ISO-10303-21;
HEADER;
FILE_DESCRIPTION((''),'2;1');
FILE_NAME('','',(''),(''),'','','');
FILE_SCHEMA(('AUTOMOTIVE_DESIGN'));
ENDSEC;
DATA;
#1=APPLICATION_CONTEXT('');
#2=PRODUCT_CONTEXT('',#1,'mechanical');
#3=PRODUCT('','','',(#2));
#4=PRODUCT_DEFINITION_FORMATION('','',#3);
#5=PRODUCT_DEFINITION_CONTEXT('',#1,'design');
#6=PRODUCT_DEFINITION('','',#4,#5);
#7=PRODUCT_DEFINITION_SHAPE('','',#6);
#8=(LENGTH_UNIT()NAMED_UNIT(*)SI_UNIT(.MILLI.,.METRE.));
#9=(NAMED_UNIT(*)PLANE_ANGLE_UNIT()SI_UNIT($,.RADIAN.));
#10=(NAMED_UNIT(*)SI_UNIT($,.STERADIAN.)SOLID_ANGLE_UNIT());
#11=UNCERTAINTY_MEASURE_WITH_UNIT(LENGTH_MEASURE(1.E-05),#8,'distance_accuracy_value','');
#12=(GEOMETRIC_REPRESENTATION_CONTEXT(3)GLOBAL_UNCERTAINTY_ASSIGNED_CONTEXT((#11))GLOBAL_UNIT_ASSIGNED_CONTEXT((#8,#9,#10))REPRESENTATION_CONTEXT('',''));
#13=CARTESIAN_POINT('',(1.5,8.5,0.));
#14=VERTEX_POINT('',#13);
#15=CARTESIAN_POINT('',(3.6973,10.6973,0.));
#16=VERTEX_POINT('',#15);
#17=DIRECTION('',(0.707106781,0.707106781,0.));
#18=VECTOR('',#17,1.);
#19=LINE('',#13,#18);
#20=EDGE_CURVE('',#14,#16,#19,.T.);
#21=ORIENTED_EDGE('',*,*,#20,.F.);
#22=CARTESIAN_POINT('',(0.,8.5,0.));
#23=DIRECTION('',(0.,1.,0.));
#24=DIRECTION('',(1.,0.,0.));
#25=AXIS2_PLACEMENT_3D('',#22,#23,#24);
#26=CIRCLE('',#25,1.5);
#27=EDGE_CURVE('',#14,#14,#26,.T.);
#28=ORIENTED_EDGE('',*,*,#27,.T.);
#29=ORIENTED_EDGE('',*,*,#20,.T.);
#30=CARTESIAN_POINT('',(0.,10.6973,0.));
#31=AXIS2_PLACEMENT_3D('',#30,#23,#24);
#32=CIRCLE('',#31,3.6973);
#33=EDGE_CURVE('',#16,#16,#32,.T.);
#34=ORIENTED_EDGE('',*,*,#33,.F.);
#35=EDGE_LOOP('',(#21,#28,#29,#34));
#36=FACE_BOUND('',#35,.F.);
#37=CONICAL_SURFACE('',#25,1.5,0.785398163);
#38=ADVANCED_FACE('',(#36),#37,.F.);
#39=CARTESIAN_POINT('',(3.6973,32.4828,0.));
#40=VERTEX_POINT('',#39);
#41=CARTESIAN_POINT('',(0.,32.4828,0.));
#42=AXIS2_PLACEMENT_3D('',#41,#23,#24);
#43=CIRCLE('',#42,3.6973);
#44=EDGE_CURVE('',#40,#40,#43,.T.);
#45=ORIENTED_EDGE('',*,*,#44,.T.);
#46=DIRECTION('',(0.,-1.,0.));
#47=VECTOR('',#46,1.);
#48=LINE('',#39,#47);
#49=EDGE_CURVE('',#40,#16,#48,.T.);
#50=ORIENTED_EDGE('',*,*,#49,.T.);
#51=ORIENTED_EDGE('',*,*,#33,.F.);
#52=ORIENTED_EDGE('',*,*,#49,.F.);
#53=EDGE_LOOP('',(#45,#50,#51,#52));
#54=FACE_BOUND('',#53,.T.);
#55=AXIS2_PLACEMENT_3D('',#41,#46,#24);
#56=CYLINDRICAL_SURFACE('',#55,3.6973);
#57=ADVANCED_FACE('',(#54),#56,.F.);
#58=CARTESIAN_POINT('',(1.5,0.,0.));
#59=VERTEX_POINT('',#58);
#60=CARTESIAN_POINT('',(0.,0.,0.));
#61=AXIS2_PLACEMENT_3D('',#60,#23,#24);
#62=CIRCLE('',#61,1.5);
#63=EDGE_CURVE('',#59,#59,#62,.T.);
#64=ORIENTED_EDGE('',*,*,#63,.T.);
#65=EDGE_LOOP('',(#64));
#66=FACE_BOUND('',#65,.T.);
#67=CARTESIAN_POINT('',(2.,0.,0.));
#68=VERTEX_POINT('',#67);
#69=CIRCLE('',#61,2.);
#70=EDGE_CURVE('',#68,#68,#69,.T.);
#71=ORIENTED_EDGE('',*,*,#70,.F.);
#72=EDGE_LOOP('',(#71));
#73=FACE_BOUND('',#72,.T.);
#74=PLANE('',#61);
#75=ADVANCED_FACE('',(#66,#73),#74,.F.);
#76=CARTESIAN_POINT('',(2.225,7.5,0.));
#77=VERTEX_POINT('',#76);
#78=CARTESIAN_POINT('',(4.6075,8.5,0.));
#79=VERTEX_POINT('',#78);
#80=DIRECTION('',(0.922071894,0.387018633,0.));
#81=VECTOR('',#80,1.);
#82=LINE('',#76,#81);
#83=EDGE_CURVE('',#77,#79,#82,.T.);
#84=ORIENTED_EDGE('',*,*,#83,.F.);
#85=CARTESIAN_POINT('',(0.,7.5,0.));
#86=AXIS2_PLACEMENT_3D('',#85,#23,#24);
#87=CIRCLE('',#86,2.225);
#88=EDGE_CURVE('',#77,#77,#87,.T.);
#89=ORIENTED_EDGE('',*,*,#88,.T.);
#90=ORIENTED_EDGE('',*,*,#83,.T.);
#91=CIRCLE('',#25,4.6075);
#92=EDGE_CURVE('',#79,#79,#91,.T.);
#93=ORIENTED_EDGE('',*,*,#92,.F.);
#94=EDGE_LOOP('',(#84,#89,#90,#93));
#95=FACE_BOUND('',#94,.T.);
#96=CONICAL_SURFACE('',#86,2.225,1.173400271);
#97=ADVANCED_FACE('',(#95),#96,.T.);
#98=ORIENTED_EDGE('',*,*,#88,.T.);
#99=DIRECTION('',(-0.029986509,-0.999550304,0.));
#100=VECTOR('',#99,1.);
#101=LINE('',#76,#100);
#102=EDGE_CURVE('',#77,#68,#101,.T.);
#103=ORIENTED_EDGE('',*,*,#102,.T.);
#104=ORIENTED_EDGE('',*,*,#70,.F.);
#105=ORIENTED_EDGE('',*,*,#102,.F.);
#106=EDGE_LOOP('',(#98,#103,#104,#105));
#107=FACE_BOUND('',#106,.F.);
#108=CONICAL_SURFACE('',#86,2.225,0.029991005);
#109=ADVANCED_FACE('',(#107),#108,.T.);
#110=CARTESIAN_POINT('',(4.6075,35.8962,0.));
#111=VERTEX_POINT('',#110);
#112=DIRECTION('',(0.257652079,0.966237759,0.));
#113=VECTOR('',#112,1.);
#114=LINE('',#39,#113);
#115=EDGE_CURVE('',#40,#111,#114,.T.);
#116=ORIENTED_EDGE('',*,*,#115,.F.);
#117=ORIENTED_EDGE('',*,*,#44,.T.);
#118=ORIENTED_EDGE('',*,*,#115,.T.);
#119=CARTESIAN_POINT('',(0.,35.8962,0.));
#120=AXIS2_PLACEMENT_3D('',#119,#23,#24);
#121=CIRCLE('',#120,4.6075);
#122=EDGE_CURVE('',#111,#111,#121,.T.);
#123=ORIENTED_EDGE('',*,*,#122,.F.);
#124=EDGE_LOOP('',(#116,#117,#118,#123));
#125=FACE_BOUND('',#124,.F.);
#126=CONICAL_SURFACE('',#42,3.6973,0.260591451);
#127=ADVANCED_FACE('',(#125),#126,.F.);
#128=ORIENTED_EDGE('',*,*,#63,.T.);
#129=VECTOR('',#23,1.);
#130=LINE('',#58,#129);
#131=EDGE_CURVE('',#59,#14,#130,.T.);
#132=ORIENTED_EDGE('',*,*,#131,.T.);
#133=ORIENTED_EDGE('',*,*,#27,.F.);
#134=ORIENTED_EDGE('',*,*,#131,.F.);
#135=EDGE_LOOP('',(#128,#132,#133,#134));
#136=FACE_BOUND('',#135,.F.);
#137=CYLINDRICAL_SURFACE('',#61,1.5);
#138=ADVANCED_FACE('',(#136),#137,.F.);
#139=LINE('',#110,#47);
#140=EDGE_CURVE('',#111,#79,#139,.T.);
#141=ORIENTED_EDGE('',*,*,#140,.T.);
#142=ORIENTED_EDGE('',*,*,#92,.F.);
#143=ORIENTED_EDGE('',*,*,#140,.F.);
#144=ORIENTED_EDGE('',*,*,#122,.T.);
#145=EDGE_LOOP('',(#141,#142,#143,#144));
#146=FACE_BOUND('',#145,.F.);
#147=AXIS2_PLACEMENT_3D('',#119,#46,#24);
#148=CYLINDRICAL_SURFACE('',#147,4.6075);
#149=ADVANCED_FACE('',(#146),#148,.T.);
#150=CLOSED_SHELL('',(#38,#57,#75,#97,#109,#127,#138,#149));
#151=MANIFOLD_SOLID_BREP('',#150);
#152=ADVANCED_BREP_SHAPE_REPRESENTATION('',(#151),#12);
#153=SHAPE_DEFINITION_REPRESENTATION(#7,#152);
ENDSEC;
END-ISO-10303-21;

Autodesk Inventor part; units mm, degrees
ref_plane "YZ Plane" through (0, 0, 0) normal (1, 0, 0) x (0, 1, 0)
ref_plane "XZ Plane" through (0, 0, 0) normal (0, 1, 0) x (-1, 0, 0)
ref_plane "XY Plane" through (0, 0, 0) normal (0, 0, 1) x (1, 0, 0)
sketch "Sketch1" plane through (0, 0, 0) normal (0, 0, 1) x (1, 0, 0)
  line L0 (0, 0) -> (2, 0)
  line L1 (2.225, 7.5) -> (2, 0)
  line L2 (2, 0) -> (1.5, 0)
  line L3 (1.5, 0) -> (1.5, 8.5)
  line L4 (2, 0) -> (1.5, 0)
  line L5 (0.1075, 35.8962) -> (4.6075, 35.8962) construction
  line L6 (3.6973, 32.4828) -> (4.6075, 35.8962)
  line L7 (3.6973, 32.4828) -> (28.4522, 32.4828) construction
  line L8 (1.5, 8.5) -> (3.6973, 10.6973)
  line L9 (1.5, 8.5) -> (4.6075, 8.5) construction
  line L10 (4.6075, 35.8962) -> (4.6075, 8.5)
  line L11 (2.225, 7.5) -> (4.6075, 8.5)
  line L12 (3.6973, 32.4828) -> (3.6973, 10.6973)
  line L13 (2, 0) -> (1.5, 0)
  line L14 (1.5, 0) -> (2, 0)
  line L15 (0, 0) -> (0, 42.8273)
  dimension "d0" = 2
  dimension "d6" = 8.5
  dimension "d20" = 45
revolve "Revolution1" add sketch "Sketch1" angle 360 about axis through (0, 0, 0) along (0, 1, 0)
properties part number "Pipet to Needle"
